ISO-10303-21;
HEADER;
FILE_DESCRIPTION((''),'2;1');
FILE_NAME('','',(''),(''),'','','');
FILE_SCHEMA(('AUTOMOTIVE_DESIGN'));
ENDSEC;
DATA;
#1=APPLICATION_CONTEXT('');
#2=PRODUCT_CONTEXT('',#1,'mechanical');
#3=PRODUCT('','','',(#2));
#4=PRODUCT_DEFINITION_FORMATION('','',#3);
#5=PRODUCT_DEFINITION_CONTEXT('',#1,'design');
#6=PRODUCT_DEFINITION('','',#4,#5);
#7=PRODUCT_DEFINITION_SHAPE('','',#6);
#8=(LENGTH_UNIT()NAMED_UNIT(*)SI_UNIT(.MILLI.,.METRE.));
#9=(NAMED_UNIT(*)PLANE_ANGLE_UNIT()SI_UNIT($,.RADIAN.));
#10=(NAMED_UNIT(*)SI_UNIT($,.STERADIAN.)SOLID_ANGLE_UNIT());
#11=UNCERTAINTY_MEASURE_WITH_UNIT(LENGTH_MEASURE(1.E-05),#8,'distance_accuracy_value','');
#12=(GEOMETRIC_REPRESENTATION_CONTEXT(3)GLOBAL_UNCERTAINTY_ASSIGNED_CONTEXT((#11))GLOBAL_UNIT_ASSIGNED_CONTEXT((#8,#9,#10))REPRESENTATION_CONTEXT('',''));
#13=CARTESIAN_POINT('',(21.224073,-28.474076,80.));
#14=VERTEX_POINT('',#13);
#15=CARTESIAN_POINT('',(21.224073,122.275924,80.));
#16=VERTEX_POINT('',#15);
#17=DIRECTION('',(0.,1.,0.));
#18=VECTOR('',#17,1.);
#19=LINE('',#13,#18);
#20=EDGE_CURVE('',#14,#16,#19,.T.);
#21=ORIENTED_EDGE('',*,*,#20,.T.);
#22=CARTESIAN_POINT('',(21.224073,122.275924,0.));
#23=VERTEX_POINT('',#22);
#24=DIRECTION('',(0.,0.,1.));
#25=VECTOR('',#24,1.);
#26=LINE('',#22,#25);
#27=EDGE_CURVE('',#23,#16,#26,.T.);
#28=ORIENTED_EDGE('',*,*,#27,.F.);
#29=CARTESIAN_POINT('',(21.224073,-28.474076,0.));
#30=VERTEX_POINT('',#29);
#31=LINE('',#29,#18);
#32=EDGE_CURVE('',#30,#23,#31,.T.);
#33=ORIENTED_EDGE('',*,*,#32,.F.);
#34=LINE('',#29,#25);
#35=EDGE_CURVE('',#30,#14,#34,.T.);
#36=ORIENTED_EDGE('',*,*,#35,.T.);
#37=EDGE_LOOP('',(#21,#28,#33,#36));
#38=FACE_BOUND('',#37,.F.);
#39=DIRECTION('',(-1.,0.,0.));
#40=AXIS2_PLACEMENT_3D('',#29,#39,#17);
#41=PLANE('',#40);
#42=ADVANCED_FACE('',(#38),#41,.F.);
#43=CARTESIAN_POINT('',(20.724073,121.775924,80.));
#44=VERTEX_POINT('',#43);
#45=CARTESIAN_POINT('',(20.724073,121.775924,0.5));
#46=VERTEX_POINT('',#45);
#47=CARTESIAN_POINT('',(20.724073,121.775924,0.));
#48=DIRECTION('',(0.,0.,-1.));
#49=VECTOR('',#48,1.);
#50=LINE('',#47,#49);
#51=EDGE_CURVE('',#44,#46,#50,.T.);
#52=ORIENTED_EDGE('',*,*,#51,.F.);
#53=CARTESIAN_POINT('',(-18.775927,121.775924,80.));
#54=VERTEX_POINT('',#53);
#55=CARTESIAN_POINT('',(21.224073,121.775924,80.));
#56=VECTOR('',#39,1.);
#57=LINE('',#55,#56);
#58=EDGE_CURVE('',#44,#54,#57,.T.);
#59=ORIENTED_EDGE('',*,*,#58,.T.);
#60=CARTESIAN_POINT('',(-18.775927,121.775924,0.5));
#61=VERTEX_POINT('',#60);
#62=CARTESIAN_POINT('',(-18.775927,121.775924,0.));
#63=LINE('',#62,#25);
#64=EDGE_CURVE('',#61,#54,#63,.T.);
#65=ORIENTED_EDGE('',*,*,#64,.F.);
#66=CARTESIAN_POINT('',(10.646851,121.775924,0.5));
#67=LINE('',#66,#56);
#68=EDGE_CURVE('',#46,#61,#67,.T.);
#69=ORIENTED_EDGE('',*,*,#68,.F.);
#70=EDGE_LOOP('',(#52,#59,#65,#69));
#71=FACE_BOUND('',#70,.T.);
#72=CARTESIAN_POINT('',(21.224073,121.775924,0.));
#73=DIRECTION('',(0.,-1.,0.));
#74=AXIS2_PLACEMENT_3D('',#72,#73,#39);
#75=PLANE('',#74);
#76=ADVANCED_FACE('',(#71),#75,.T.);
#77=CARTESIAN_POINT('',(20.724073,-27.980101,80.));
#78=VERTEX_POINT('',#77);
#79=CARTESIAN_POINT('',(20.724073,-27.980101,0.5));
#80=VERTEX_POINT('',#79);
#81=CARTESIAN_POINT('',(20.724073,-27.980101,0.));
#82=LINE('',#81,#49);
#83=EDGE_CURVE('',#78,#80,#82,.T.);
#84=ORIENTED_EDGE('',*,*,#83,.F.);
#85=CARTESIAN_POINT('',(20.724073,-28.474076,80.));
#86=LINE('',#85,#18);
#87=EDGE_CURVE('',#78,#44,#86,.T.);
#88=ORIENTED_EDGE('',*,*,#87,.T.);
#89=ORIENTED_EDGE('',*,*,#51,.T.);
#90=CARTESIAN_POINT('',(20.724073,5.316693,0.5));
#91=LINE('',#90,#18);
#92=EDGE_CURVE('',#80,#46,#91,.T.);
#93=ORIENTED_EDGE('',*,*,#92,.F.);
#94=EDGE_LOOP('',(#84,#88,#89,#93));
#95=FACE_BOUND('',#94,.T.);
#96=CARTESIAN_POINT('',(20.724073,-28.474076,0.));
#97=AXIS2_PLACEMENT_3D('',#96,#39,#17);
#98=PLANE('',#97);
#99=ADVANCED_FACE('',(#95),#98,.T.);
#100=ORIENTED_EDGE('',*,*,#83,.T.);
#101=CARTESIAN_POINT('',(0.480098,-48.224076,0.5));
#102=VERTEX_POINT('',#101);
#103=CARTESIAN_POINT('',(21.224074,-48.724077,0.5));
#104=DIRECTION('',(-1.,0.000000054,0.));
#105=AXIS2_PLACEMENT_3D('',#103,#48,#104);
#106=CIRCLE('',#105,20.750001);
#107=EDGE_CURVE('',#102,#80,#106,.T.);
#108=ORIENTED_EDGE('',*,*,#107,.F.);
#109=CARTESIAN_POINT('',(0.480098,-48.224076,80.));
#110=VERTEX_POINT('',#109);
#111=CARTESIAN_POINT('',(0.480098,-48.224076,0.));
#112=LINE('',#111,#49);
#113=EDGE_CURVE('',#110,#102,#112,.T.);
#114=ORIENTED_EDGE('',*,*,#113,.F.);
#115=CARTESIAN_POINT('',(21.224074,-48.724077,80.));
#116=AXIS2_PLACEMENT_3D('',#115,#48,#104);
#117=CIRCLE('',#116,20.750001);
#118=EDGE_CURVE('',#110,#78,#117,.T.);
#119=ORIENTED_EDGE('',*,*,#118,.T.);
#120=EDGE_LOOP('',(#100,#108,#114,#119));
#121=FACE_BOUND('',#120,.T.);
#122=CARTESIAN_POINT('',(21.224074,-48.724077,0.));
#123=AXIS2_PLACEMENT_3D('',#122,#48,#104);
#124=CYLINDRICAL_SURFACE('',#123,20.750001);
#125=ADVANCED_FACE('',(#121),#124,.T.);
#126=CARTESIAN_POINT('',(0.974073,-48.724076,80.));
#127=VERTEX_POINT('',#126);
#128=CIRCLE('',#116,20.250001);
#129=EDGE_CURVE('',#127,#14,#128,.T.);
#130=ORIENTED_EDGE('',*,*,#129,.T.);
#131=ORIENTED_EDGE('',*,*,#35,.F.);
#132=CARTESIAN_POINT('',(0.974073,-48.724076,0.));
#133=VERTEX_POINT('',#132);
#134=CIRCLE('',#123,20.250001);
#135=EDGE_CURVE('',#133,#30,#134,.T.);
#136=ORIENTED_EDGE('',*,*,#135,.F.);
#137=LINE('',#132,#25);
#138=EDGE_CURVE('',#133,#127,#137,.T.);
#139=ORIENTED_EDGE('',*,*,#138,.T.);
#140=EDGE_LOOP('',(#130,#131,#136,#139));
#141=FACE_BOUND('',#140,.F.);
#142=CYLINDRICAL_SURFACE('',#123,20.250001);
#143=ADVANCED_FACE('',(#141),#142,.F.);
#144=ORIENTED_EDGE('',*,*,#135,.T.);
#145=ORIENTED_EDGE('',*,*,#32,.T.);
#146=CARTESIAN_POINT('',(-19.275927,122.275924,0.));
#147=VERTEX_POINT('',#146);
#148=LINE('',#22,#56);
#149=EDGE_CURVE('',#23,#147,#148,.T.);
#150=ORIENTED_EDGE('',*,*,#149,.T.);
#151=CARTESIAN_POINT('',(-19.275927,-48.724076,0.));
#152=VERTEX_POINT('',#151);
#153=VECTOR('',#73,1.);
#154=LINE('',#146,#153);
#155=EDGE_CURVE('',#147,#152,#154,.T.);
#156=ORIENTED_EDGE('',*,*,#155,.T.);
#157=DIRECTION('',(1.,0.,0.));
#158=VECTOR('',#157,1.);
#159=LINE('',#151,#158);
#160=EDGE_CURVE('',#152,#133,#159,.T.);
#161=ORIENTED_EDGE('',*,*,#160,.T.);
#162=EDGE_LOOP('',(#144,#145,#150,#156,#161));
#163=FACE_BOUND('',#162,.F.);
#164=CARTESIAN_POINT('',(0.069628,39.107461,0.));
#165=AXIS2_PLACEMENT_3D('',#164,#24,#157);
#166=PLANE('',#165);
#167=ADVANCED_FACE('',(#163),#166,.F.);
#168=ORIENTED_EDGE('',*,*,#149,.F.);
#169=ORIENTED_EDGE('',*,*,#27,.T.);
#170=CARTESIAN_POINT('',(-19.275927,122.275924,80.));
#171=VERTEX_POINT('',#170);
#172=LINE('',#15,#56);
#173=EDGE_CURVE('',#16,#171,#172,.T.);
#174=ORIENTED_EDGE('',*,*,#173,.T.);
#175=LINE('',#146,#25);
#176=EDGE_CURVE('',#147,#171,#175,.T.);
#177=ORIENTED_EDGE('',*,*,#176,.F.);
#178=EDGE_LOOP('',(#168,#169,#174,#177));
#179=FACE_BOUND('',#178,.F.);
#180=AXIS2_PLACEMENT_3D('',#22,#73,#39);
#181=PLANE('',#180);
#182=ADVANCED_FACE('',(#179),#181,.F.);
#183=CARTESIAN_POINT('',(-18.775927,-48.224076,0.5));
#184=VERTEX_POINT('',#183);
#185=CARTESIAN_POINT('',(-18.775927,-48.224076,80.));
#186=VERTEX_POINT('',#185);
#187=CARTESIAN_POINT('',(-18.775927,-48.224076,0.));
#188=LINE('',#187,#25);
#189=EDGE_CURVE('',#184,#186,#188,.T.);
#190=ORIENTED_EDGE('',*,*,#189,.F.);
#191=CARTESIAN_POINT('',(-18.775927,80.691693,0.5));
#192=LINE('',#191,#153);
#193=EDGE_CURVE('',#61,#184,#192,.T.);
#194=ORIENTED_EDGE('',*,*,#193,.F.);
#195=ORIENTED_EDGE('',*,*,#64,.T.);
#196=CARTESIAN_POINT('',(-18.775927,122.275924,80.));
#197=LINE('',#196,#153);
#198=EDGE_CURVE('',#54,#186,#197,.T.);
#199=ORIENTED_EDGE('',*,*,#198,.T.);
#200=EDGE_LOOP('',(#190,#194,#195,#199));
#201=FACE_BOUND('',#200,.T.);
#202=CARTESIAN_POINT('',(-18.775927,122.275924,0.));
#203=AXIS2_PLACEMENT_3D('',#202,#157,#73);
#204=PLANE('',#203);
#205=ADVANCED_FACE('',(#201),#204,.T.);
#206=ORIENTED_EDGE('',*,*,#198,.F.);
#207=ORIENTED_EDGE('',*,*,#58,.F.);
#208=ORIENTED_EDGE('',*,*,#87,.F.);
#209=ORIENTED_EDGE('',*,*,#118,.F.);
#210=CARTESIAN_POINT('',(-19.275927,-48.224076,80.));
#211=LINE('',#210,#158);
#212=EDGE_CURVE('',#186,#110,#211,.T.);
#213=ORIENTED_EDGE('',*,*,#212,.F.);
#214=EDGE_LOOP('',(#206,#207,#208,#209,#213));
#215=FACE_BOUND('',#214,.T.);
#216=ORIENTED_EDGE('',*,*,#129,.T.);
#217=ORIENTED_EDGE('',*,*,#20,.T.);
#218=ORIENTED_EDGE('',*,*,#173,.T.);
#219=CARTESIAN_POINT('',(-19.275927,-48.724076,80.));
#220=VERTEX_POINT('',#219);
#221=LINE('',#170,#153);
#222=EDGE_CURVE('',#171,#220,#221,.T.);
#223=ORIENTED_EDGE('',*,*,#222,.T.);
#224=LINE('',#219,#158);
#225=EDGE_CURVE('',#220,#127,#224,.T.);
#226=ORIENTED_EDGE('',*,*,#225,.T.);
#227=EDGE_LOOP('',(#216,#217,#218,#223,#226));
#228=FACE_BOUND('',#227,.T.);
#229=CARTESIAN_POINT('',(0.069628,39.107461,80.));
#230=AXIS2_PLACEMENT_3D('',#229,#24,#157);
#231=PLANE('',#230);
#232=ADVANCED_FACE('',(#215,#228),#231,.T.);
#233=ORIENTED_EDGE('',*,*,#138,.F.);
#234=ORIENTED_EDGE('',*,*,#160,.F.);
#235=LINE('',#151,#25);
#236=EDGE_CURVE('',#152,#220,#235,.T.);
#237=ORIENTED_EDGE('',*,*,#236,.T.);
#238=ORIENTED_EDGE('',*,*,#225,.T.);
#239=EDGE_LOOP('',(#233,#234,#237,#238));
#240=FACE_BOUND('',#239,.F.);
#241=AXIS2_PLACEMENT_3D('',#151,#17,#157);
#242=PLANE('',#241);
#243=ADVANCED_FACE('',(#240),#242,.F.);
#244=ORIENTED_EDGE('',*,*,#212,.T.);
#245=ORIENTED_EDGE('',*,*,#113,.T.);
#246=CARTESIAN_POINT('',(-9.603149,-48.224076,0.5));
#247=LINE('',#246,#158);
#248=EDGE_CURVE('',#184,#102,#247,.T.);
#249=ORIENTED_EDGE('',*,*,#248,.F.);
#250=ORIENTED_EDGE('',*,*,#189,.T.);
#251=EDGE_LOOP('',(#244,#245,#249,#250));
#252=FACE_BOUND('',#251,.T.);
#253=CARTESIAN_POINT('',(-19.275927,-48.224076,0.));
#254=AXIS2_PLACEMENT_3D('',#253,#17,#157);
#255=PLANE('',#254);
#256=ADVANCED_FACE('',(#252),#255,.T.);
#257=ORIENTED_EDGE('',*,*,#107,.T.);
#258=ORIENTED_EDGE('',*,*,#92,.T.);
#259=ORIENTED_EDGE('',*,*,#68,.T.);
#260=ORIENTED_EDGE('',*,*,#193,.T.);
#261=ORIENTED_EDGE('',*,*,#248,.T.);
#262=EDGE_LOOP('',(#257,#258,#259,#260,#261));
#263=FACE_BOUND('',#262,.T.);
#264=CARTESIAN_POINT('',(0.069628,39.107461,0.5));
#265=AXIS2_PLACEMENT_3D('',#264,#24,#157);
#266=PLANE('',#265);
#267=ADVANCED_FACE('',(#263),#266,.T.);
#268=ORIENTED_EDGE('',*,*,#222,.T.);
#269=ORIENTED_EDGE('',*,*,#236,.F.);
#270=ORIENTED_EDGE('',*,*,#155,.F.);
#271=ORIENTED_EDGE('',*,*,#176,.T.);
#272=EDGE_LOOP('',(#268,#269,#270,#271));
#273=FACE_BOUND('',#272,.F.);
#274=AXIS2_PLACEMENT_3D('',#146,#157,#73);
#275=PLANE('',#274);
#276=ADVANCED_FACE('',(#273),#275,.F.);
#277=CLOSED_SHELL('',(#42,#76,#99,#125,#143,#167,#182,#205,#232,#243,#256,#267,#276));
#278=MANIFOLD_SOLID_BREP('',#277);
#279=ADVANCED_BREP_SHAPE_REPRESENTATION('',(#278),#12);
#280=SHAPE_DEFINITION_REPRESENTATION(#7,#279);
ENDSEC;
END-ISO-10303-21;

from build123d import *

# Parameters (mm, degrees)
F1_DEPTH = 80
F2_T     = -0.5


with BuildPart() as f1:
    # F0 (on Top) → F1 (new body)
    with BuildSketch(Plane.XY):
        with BuildLine():
            Line((21.224073, 122.275924), (-19.275927, 122.275924))
            Line((-19.275927, 122.275924), (-19.275927, -48.724076))
            Line((-19.275927, -48.724076), (0.974073, -48.724076))
            ThreePointArc((0.974073, -48.724076), (6.905161, -34.405164), (21.224073, -28.474076))
            Line((21.224073, -28.474076), (21.224073, 122.275924))
        make_face()
    extrude(amount=F1_DEPTH)

    # F2
    f2_openings = [f1.faces().sort_by_distance(p)[0] for p in [
        (0.405606, 40.52676, 80),
    ]]
    offset(amount=F2_T, openings=f2_openings)


solid = f1.part
